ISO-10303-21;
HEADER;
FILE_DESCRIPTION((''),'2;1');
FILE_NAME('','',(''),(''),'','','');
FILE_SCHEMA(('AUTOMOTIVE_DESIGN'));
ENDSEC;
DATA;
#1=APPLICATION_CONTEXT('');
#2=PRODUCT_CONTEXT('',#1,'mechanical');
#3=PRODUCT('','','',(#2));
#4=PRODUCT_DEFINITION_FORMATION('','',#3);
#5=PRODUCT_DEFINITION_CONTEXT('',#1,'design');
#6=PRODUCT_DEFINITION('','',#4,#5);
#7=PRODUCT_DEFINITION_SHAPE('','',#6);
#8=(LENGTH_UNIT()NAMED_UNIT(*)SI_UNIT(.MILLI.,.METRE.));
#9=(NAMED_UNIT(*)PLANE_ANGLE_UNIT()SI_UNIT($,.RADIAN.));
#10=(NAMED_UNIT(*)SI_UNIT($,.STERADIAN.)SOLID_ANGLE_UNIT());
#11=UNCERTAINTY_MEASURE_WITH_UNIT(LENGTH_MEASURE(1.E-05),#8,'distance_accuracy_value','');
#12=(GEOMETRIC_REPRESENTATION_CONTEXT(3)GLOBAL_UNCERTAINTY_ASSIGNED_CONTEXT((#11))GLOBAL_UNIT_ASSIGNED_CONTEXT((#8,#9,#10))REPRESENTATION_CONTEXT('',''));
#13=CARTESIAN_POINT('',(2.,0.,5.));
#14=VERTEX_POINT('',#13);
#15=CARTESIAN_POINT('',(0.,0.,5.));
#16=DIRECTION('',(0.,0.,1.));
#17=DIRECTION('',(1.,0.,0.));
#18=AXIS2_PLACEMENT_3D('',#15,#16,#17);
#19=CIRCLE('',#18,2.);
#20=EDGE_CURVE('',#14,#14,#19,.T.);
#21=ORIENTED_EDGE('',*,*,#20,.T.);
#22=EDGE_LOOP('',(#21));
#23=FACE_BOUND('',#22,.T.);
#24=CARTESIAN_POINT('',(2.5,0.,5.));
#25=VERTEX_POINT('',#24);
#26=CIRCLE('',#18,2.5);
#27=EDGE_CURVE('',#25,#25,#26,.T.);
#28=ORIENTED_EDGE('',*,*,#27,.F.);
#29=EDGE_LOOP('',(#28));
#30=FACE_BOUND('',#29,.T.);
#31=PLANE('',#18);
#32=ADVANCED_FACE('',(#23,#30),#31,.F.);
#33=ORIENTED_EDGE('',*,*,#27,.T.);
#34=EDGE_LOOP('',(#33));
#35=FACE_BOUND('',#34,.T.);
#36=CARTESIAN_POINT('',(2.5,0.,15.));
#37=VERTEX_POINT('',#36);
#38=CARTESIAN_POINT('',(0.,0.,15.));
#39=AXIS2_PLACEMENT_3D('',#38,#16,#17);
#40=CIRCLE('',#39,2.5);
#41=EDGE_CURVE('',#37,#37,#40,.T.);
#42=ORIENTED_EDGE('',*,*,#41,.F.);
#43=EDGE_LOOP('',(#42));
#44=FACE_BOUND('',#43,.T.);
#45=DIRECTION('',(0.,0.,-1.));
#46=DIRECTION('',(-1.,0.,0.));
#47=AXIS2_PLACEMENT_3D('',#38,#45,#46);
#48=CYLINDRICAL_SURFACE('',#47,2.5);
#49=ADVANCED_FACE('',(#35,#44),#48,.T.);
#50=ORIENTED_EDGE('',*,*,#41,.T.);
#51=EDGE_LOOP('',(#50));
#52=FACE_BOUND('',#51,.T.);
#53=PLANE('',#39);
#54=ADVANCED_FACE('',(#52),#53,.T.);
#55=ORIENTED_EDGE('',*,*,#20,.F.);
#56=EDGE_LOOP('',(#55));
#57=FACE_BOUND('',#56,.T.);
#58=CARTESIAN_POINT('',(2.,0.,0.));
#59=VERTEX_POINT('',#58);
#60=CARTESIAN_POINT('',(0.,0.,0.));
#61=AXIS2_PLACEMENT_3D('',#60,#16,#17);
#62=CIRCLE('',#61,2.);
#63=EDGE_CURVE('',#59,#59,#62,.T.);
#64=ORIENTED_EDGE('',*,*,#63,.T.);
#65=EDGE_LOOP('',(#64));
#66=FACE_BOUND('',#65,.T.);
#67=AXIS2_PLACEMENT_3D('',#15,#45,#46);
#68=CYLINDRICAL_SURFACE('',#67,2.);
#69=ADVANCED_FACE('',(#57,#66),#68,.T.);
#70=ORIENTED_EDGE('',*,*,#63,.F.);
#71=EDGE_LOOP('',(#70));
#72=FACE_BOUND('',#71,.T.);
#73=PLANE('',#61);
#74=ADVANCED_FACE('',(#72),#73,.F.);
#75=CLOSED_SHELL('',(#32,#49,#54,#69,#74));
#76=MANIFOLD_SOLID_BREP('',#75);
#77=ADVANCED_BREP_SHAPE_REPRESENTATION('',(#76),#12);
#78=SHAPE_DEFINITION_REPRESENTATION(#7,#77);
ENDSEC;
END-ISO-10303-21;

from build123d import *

# Parameters (mm, degrees)
SKETCH1_R      = 2
EXTRUDE1_DEPTH = 5
SKETCH2_R      = 2.5
EXTRUDE2_DEPTH = 10


with BuildPart() as part:
    # Sketch1 → Extrude1 (new body)
    with BuildSketch(Plane.XY):
        Circle(SKETCH1_R)
    extrude(amount=EXTRUDE1_DEPTH)

    # Sketch2 → Extrude2 (add)
    with BuildSketch(Plane.XY.offset(5)):
        Circle(SKETCH2_R)
    extrude(amount=EXTRUDE2_DEPTH)


solid = part.part
